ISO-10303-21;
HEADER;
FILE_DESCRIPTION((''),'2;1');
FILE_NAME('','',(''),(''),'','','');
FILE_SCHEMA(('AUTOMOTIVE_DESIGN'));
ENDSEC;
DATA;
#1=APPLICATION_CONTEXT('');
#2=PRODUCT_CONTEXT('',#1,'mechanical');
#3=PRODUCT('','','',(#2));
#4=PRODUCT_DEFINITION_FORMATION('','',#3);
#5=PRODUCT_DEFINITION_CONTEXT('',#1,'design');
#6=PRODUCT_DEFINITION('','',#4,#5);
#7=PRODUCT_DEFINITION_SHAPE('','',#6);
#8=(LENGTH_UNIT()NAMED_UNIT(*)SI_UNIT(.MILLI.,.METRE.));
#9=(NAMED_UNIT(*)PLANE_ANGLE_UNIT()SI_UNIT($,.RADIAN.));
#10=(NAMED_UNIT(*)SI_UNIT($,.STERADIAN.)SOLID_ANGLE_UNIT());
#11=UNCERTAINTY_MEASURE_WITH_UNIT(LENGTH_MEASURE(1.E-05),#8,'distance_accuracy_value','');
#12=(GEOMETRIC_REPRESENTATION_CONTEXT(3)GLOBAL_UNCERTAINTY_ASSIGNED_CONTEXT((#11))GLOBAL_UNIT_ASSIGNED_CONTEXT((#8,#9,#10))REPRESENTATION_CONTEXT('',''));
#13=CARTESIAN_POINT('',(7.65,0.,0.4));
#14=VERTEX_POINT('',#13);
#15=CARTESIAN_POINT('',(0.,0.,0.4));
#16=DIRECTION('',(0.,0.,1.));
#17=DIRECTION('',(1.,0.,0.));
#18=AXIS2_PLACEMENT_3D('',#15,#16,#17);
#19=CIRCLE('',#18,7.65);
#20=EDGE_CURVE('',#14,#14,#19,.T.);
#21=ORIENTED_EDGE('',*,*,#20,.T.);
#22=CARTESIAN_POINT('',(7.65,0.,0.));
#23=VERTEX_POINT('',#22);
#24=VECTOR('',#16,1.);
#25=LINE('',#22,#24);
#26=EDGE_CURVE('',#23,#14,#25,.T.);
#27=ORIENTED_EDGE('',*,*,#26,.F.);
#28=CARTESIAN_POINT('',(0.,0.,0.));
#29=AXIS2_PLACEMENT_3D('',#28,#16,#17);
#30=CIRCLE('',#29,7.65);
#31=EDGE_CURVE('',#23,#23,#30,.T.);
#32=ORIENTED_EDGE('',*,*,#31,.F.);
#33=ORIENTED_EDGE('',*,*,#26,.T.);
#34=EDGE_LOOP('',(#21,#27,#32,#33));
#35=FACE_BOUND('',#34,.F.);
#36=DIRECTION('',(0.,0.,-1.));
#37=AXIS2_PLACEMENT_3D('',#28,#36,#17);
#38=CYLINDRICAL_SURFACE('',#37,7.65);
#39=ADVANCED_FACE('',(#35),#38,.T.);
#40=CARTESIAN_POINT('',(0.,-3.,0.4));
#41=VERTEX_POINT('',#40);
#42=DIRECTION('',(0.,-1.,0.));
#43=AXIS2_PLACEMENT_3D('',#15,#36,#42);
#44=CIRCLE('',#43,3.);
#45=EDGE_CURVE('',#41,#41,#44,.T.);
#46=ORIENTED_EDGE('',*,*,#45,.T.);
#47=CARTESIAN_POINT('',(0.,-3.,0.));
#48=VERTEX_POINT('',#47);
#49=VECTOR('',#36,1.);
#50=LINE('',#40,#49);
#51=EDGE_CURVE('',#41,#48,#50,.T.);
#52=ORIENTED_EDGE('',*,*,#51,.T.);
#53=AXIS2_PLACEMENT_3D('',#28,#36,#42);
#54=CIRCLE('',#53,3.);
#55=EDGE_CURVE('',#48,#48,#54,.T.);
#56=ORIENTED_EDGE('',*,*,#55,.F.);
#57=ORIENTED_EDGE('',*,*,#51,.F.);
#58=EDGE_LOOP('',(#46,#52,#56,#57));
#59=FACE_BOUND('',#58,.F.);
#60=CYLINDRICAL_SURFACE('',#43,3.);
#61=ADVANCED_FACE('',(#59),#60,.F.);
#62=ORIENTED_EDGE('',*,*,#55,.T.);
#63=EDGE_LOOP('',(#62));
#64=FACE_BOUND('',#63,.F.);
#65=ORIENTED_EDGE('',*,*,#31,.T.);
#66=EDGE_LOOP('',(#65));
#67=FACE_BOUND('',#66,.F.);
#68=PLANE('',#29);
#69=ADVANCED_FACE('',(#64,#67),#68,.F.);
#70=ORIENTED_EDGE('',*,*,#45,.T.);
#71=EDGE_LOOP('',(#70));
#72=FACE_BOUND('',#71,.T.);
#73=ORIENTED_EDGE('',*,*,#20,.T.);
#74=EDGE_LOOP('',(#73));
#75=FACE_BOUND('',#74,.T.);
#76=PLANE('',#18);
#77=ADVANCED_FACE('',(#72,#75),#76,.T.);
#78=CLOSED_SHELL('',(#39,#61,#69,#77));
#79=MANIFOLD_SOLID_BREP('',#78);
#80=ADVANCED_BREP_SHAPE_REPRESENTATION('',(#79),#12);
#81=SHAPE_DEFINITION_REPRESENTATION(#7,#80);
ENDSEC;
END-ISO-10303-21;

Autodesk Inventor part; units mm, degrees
ref_plane "YZ Plane" through (0, 0, 0) normal (1, 0, 0) x (0, 1, 0)
ref_plane "XZ Plane" through (0, 0, 0) normal (0, 1, 0) x (-1, 0, 0)
ref_plane "XY Plane" through (0, 0, 0) normal (0, 0, 1) x (1, 0, 0)
sketch "スケッチ1" plane through (0, 0, 0) normal (0, 0, 1) x (1, 0, 0)
  circle A0 centre (0, 0) radius 7.65
  dimension "d0" = 15.3
extrude "押し出し1" add sketch "スケッチ1" along normal blind 0.4
sketch "スケッチ2" plane through (0, 0, 0.4) normal (0, 0, 1) x (1, 0, 0)
  point P0 (0, 0)
  point P1 (0, 0)
hole "穴1" at (0, 0, 0.4) direction (0, 0, -1) diameter 6 end through all
properties part number "555_GearBox_FrontCircle" material "鉄、鋳鉄"
